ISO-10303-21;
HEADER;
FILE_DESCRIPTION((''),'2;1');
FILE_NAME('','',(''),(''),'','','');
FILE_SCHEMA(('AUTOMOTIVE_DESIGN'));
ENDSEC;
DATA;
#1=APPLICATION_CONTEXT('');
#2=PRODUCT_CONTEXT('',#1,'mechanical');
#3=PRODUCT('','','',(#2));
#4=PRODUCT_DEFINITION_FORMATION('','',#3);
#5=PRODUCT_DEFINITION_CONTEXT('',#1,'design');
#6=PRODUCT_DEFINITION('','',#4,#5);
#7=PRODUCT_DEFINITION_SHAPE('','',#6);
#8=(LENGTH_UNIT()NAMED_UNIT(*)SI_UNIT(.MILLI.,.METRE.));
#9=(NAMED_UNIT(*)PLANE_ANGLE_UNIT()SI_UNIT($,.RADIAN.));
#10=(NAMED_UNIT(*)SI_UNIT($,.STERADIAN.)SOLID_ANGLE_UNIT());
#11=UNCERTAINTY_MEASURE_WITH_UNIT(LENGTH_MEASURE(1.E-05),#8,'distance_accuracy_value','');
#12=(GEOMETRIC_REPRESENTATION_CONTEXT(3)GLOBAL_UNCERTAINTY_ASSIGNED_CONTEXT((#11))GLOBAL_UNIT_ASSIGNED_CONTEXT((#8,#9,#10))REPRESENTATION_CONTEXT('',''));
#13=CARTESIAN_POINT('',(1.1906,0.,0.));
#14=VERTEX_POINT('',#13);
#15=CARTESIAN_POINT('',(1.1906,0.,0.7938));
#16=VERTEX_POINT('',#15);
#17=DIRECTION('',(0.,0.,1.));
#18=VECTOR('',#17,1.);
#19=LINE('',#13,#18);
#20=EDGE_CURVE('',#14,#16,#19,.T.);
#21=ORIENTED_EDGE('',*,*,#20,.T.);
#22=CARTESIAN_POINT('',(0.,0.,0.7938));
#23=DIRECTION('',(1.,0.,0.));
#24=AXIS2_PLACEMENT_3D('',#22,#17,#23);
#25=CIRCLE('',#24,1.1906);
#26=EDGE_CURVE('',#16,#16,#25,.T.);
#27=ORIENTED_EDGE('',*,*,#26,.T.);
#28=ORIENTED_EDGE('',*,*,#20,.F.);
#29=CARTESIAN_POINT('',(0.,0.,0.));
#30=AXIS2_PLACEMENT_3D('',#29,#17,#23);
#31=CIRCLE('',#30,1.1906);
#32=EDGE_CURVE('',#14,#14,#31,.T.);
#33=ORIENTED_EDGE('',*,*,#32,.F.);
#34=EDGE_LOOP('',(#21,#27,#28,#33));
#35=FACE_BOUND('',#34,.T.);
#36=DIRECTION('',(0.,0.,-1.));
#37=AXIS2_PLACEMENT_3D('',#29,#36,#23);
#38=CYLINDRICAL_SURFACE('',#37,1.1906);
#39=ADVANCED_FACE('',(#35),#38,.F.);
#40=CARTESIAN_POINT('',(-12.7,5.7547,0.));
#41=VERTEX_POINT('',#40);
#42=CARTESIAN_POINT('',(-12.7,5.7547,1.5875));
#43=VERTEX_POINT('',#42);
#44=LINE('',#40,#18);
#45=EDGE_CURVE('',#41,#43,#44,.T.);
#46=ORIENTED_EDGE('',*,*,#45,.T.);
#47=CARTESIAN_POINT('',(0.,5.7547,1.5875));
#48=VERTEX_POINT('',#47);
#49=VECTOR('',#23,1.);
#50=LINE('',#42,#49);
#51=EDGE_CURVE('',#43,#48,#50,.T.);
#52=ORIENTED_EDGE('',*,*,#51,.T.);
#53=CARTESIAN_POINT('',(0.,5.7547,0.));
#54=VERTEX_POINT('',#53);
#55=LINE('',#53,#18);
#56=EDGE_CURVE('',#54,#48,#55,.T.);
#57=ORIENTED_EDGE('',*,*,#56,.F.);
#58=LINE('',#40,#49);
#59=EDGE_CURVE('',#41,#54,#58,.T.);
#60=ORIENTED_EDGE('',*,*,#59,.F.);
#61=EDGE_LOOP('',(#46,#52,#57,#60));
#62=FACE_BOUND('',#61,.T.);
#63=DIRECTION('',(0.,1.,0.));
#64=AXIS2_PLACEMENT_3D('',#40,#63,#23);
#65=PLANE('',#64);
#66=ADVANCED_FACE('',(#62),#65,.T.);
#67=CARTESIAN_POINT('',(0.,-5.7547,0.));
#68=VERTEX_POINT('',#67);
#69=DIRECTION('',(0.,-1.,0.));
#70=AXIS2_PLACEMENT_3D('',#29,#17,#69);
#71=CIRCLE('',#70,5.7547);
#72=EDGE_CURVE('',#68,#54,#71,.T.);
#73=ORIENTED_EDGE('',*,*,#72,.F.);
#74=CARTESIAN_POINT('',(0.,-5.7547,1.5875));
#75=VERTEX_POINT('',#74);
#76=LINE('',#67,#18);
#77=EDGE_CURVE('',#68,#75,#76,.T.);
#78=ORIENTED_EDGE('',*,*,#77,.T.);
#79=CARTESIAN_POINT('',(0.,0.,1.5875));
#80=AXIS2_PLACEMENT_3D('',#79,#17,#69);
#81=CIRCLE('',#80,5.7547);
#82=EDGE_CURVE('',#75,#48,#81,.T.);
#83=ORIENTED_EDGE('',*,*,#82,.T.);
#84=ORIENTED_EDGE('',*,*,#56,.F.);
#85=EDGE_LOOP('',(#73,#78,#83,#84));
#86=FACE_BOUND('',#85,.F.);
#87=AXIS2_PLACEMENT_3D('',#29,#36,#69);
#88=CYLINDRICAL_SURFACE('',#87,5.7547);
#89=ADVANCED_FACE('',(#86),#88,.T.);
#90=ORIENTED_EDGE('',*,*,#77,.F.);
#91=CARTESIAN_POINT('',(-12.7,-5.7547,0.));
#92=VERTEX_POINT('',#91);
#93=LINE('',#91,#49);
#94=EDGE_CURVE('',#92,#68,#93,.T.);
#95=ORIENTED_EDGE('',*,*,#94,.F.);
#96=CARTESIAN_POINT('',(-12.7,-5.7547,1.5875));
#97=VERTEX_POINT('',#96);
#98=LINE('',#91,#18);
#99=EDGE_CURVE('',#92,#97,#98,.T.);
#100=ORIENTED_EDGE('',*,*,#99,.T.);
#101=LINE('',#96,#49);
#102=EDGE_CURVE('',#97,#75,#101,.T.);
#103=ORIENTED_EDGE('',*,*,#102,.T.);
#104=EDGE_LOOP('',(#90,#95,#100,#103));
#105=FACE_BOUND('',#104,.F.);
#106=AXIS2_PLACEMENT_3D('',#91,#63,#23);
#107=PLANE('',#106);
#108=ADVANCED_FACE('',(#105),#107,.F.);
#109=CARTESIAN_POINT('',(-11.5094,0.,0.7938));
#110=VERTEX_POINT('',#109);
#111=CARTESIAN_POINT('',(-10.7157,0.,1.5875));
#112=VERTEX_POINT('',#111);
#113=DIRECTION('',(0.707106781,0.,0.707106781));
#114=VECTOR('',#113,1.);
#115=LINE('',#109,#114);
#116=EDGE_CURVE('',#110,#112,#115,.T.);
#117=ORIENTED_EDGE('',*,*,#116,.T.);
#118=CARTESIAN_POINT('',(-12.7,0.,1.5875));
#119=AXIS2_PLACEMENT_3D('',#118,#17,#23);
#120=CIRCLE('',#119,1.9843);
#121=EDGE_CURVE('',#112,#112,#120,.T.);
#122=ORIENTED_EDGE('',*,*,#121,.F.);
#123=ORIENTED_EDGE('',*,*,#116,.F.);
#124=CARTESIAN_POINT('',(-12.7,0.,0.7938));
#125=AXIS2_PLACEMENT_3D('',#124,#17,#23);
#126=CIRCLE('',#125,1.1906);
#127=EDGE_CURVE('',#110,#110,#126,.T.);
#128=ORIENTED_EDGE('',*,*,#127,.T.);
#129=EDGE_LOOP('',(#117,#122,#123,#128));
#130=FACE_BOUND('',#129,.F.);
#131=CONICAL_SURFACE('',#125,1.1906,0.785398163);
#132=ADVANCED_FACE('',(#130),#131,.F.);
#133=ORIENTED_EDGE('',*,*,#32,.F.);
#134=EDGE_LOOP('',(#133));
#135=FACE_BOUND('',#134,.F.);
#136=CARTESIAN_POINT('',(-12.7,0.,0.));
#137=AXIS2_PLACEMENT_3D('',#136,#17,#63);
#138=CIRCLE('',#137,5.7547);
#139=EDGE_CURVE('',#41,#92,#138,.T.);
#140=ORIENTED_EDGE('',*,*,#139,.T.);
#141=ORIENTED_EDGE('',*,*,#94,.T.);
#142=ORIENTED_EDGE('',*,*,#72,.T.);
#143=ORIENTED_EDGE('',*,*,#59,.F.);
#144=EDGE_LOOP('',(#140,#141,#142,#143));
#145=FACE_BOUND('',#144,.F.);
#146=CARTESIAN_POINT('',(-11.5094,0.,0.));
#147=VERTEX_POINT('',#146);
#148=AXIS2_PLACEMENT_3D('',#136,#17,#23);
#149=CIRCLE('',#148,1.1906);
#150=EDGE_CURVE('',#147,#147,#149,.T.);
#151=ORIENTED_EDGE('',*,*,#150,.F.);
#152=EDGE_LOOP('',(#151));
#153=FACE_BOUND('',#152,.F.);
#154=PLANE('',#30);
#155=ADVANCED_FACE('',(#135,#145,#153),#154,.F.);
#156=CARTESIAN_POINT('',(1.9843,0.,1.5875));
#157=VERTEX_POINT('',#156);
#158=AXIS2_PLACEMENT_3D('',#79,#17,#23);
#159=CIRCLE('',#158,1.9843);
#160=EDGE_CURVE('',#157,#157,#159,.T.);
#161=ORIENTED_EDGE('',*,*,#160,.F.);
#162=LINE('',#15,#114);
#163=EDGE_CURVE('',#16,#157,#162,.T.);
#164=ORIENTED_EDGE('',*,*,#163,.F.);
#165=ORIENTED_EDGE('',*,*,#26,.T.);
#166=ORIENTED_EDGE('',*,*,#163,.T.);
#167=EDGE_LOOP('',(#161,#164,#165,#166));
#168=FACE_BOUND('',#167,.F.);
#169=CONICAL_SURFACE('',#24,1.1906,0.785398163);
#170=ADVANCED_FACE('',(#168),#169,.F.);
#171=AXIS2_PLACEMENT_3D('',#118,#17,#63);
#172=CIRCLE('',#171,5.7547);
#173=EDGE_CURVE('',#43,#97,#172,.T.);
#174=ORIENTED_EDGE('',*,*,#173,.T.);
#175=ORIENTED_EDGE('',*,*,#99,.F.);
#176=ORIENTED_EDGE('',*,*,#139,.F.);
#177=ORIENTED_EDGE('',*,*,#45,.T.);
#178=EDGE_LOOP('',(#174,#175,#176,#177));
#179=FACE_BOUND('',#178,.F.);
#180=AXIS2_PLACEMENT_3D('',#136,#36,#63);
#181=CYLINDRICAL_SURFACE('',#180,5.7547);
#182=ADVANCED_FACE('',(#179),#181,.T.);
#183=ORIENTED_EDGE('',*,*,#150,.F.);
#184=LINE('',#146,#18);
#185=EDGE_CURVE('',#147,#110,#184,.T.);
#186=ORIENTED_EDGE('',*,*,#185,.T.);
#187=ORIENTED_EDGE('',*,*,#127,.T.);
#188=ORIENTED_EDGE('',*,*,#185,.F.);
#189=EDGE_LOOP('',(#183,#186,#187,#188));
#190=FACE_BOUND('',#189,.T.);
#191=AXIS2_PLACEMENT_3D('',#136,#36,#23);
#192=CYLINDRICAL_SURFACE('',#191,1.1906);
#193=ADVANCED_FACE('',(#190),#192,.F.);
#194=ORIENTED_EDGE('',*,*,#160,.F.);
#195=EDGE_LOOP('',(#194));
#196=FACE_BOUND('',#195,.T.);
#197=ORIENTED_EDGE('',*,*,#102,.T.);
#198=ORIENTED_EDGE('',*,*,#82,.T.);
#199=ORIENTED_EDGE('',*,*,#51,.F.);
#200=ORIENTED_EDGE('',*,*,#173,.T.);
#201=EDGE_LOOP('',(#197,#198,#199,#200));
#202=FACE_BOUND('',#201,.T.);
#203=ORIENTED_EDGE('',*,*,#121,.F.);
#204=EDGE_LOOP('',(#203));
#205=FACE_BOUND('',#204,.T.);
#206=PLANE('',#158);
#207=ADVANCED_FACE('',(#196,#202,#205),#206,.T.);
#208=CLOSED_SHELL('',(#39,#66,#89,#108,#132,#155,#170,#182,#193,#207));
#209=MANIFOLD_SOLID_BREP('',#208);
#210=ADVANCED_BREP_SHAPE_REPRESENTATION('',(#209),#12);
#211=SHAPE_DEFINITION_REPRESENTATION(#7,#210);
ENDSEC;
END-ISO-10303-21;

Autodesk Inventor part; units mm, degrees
ref_plane "YZ Plane" through (0, 0, 0) normal (1, 0, 0) x (0, 1, 0)
ref_plane "XZ Plane" through (0, 0, 0) normal (0, 1, 0) x (-1, 0, 0)
ref_plane "XY Plane" through (0, 0, 0) normal (0, 0, 1) x (1, 0, 0)
sketch "Sketch36" plane through (0, 0, 0) normal (0, 0, 1) x (1, 0, 0)
  arc A0 (0, -5.7547) -> (0, 5.7547) centre (0, 0) ccw
  arc A1 (-12.7, 5.7547) -> (-12.7, -5.7547) centre (-12.7, 0) ccw
  line L0 (-12.7, 5.7547) -> (0, 5.7547)
  line L1 (-12.7, -5.7547) -> (0, -5.7547)
  circle A2 centre (-12.7, 0) radius 1.1906
  circle A3 centre (0, 0) radius 1.1906
  dimension "d158" = 11.5094
  dimension "d160" = 12.7
  dimension "d162" = 2.3813
  dimension "d163" = 2.3813
  dimension "d176" = 5.7547
extrude "Extrusion36" add sketch "Sketch36" along normal blind 1.5875
chamfer "Chamfer2" distance 0.7937 angle 45 2 edges at (-13.8906, 0, 1.5875) (-1.1906, 0, 1.5875)
properties part number "arm-top"
